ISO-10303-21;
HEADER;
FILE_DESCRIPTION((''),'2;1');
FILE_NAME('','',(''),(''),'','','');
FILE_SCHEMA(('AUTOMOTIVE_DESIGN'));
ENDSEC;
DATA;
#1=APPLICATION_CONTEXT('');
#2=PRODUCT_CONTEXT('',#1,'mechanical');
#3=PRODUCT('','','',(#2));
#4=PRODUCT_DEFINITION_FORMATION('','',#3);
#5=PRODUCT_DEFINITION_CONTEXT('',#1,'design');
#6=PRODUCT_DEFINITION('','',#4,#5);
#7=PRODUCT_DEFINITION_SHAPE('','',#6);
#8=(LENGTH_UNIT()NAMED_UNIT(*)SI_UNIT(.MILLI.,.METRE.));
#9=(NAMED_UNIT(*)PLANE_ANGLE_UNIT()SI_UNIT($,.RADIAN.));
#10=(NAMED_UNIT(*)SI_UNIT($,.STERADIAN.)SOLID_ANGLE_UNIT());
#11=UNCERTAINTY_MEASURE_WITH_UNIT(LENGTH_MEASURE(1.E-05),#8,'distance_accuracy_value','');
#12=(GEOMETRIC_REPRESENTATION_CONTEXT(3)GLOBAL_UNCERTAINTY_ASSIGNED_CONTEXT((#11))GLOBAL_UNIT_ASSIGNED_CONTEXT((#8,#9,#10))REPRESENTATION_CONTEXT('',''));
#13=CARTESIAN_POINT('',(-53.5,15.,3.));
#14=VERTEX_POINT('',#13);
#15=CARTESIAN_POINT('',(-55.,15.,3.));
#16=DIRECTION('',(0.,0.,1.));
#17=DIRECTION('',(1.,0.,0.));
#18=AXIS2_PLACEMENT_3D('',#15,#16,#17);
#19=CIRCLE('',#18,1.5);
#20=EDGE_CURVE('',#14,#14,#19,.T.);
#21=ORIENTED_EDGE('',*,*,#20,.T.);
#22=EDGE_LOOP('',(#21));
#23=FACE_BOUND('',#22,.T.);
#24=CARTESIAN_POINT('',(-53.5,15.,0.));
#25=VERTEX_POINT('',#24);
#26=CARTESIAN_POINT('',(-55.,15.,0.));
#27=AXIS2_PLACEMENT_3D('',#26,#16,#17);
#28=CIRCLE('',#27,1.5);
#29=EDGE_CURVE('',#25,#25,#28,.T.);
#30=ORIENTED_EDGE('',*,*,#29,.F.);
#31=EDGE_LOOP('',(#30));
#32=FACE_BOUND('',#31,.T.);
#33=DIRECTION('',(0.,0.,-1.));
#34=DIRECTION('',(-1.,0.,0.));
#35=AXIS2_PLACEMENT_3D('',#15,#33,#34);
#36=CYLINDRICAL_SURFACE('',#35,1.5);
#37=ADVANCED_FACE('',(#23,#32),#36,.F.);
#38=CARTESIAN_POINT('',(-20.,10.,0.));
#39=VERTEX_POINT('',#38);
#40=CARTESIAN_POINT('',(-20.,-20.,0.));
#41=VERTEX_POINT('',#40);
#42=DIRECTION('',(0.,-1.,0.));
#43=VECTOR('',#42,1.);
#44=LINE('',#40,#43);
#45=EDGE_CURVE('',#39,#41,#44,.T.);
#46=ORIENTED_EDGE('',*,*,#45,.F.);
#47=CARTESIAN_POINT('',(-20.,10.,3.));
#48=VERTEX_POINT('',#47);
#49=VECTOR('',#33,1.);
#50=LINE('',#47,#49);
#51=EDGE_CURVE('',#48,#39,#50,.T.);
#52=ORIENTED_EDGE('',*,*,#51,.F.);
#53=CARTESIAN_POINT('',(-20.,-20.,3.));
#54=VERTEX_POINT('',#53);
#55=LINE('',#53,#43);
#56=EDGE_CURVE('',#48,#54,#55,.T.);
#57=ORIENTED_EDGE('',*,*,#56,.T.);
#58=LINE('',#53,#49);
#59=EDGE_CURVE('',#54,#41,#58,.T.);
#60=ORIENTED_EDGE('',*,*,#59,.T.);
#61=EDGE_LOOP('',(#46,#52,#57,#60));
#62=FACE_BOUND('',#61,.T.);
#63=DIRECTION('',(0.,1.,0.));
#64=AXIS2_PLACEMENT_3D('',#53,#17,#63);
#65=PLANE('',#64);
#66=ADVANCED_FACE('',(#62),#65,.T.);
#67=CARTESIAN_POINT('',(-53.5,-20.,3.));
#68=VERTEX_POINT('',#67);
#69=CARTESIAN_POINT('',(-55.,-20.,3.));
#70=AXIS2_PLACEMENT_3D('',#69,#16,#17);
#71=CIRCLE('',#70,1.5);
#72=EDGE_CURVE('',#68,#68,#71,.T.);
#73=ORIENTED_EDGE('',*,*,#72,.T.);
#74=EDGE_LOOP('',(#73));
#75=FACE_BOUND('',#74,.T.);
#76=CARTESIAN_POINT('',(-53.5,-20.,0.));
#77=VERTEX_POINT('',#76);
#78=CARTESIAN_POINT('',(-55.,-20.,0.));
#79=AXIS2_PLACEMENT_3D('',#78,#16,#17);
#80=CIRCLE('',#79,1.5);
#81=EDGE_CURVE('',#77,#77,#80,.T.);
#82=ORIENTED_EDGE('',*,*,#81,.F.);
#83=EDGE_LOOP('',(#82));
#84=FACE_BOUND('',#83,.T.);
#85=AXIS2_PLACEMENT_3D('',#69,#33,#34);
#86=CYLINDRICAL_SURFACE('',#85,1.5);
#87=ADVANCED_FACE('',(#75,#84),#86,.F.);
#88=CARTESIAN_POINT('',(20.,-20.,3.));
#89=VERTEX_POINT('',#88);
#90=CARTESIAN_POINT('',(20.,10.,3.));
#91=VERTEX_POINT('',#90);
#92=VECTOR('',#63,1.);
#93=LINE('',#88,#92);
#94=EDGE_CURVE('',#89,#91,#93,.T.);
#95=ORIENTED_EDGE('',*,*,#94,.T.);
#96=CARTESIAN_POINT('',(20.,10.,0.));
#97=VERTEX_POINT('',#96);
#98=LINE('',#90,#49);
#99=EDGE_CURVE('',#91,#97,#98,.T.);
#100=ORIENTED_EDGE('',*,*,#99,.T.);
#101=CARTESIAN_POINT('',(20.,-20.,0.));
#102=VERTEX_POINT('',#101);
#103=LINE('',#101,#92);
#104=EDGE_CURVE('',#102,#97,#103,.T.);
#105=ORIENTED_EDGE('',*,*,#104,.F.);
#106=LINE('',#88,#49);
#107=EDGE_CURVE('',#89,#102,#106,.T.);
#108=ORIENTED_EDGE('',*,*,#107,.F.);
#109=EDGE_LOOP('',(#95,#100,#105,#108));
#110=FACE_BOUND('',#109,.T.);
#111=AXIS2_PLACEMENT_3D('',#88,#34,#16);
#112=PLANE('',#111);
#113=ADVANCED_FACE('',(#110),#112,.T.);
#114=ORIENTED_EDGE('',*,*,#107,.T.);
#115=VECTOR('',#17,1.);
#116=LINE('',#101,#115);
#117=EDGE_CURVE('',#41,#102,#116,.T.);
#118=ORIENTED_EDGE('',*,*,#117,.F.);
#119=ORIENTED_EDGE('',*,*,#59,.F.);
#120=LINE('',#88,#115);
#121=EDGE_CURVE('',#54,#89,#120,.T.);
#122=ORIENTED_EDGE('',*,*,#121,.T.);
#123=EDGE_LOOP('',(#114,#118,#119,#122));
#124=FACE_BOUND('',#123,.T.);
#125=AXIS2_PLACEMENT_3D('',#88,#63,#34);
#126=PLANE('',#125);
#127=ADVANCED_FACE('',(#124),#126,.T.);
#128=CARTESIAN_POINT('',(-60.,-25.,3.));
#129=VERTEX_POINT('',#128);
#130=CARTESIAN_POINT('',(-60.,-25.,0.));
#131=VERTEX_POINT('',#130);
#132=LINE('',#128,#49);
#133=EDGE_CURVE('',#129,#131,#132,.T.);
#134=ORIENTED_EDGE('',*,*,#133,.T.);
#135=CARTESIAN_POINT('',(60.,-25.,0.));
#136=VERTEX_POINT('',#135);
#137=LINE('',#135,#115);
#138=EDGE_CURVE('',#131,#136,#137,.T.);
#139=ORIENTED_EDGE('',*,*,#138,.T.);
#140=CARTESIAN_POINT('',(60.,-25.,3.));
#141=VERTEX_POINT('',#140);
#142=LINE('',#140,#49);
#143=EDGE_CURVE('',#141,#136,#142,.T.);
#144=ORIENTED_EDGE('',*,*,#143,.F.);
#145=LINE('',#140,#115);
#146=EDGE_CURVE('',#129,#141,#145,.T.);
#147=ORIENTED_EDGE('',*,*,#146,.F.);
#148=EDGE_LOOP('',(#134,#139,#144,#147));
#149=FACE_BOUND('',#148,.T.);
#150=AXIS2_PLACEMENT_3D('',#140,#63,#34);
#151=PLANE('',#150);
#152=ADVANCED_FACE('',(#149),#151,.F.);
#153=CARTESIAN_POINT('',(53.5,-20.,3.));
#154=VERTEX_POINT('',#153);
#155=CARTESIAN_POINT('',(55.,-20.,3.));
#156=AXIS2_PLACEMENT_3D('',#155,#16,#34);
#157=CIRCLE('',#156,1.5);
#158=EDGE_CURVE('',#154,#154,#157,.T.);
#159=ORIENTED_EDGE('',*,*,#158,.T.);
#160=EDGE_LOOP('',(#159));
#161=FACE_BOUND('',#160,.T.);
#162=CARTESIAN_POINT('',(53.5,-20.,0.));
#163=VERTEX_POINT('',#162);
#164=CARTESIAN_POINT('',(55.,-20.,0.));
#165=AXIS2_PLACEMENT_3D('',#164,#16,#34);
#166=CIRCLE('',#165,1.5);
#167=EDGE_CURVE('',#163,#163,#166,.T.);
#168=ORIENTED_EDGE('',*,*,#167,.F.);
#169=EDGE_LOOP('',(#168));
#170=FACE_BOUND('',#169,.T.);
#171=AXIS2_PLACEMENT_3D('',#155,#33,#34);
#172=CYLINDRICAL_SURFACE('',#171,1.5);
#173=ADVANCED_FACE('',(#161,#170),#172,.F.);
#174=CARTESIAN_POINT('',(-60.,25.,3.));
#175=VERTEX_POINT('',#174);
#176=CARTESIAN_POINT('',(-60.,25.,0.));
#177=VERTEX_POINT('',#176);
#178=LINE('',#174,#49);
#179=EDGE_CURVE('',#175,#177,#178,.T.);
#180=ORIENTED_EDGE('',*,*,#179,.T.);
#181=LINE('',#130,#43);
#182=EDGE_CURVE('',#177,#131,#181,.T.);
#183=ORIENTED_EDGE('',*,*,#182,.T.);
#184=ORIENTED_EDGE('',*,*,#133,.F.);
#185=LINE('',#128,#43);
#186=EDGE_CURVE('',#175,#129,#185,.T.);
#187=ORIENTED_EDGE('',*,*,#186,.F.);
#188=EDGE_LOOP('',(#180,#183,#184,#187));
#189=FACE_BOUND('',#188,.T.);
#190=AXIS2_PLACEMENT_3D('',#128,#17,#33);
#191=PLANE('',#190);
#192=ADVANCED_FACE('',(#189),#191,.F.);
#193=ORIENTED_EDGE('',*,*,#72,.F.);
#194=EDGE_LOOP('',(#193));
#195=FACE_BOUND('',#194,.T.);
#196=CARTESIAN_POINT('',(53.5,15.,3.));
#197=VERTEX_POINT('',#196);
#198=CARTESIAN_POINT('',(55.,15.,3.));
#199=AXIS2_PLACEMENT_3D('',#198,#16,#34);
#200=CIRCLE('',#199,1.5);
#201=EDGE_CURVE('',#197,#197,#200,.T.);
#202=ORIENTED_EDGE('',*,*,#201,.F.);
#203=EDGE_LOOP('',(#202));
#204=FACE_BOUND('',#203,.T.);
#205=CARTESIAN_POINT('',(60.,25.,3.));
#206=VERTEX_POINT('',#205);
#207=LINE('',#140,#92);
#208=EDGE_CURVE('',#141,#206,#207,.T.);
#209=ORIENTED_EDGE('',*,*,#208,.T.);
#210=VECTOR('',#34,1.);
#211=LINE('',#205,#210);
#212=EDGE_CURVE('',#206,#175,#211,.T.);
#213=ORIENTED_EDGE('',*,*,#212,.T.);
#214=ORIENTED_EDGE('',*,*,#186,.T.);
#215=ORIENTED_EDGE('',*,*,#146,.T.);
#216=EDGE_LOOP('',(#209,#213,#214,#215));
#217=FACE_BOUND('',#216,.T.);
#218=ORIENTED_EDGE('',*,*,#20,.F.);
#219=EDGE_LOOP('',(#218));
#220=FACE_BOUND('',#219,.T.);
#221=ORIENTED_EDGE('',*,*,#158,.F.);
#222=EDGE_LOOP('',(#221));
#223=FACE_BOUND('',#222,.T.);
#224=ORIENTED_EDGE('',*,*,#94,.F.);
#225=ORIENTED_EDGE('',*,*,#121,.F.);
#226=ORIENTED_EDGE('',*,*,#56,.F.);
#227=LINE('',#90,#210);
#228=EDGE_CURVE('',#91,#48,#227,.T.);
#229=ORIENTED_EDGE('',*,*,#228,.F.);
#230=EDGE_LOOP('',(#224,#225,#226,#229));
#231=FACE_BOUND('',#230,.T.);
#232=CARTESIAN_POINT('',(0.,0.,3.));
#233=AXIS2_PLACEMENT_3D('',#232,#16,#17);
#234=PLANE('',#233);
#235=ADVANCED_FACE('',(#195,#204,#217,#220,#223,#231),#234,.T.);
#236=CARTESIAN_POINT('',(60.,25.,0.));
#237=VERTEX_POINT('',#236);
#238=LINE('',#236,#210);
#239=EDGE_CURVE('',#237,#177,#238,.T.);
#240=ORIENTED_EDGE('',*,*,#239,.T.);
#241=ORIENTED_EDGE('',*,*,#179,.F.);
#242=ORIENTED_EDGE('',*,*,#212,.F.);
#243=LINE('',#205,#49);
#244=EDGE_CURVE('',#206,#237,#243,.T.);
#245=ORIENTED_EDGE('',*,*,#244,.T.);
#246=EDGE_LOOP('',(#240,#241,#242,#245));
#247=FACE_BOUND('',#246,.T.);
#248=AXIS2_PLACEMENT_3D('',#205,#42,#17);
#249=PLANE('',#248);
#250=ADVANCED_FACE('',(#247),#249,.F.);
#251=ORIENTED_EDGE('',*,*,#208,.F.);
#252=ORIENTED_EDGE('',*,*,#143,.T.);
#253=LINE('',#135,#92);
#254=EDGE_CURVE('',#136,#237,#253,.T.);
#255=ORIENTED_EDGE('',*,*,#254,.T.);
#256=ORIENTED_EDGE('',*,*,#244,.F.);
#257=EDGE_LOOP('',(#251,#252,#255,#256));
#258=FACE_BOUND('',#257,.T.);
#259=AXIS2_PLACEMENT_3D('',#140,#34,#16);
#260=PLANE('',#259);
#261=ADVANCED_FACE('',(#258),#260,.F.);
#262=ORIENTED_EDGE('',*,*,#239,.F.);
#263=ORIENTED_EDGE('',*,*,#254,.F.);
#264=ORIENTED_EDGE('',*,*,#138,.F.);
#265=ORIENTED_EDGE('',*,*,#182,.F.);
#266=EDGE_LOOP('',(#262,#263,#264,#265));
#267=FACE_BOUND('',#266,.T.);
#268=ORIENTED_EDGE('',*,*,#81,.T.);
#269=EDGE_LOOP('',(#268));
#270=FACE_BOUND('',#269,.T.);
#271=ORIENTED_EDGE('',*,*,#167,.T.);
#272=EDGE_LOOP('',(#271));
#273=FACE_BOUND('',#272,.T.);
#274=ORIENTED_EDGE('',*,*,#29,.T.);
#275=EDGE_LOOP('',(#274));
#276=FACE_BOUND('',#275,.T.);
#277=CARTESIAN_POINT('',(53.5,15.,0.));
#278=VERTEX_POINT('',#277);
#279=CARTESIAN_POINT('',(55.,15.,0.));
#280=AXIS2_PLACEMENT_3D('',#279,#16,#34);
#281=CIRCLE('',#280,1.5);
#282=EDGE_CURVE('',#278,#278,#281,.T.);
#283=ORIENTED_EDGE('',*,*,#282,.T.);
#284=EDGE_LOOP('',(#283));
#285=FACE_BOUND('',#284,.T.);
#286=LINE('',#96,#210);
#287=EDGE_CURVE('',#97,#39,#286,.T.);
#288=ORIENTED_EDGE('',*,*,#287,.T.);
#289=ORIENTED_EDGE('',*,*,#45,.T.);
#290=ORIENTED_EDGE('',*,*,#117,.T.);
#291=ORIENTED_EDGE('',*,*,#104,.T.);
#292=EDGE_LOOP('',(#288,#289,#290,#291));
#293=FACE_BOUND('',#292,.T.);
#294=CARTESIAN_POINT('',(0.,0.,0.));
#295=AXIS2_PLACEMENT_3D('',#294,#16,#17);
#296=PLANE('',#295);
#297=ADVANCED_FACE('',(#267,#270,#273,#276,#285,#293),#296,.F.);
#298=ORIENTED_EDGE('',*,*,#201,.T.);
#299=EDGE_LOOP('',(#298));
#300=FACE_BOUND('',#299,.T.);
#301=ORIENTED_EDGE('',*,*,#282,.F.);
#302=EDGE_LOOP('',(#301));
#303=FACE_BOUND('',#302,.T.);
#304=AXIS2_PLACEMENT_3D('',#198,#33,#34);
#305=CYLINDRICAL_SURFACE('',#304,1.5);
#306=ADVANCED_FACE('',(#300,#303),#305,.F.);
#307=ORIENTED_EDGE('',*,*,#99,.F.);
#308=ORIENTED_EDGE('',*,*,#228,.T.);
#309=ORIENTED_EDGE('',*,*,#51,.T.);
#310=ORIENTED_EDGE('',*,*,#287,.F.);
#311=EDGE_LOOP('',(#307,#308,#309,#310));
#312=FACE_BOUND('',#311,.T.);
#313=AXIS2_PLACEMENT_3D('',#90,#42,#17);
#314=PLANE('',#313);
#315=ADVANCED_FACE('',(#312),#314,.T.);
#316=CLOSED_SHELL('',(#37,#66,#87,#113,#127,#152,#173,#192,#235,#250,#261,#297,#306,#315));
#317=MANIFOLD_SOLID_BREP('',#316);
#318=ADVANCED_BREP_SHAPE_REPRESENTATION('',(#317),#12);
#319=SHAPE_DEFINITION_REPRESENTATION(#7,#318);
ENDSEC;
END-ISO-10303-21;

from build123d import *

# Parameters (mm, degrees)
ESQUISSE1_W        = 120
ESQUISSE1_H        = 50
ESQUISSE1_R        = 1.5
ESQUISSE1_W_2      = 40
ESQUISSE1_H_2      = 30
BOSS_EXTRU_1_DEPTH = 3


with BuildPart() as part:
    # Esquisse1 → Boss.-Extru.1 (new body)
    with BuildSketch(Plane.XY):
        Rectangle(ESQUISSE1_W, ESQUISSE1_H)
        with Locations((-55, 15)):
            Circle(ESQUISSE1_R, mode=Mode.SUBTRACT)
        with Locations((-55, -20)):
            Circle(ESQUISSE1_R, mode=Mode.SUBTRACT)
        with Locations(Location((55, -20, 0), (0, 0, 180))):
            Circle(ESQUISSE1_R, mode=Mode.SUBTRACT)
        with Locations(Location((55, 15, 0), (0, 0, 180))):
            Circle(ESQUISSE1_R, mode=Mode.SUBTRACT)
        with Locations((0, -5)):
            Rectangle(ESQUISSE1_W_2, ESQUISSE1_H_2, mode=Mode.SUBTRACT)
    extrude(amount=BOSS_EXTRU_1_DEPTH)


solid = part.part
